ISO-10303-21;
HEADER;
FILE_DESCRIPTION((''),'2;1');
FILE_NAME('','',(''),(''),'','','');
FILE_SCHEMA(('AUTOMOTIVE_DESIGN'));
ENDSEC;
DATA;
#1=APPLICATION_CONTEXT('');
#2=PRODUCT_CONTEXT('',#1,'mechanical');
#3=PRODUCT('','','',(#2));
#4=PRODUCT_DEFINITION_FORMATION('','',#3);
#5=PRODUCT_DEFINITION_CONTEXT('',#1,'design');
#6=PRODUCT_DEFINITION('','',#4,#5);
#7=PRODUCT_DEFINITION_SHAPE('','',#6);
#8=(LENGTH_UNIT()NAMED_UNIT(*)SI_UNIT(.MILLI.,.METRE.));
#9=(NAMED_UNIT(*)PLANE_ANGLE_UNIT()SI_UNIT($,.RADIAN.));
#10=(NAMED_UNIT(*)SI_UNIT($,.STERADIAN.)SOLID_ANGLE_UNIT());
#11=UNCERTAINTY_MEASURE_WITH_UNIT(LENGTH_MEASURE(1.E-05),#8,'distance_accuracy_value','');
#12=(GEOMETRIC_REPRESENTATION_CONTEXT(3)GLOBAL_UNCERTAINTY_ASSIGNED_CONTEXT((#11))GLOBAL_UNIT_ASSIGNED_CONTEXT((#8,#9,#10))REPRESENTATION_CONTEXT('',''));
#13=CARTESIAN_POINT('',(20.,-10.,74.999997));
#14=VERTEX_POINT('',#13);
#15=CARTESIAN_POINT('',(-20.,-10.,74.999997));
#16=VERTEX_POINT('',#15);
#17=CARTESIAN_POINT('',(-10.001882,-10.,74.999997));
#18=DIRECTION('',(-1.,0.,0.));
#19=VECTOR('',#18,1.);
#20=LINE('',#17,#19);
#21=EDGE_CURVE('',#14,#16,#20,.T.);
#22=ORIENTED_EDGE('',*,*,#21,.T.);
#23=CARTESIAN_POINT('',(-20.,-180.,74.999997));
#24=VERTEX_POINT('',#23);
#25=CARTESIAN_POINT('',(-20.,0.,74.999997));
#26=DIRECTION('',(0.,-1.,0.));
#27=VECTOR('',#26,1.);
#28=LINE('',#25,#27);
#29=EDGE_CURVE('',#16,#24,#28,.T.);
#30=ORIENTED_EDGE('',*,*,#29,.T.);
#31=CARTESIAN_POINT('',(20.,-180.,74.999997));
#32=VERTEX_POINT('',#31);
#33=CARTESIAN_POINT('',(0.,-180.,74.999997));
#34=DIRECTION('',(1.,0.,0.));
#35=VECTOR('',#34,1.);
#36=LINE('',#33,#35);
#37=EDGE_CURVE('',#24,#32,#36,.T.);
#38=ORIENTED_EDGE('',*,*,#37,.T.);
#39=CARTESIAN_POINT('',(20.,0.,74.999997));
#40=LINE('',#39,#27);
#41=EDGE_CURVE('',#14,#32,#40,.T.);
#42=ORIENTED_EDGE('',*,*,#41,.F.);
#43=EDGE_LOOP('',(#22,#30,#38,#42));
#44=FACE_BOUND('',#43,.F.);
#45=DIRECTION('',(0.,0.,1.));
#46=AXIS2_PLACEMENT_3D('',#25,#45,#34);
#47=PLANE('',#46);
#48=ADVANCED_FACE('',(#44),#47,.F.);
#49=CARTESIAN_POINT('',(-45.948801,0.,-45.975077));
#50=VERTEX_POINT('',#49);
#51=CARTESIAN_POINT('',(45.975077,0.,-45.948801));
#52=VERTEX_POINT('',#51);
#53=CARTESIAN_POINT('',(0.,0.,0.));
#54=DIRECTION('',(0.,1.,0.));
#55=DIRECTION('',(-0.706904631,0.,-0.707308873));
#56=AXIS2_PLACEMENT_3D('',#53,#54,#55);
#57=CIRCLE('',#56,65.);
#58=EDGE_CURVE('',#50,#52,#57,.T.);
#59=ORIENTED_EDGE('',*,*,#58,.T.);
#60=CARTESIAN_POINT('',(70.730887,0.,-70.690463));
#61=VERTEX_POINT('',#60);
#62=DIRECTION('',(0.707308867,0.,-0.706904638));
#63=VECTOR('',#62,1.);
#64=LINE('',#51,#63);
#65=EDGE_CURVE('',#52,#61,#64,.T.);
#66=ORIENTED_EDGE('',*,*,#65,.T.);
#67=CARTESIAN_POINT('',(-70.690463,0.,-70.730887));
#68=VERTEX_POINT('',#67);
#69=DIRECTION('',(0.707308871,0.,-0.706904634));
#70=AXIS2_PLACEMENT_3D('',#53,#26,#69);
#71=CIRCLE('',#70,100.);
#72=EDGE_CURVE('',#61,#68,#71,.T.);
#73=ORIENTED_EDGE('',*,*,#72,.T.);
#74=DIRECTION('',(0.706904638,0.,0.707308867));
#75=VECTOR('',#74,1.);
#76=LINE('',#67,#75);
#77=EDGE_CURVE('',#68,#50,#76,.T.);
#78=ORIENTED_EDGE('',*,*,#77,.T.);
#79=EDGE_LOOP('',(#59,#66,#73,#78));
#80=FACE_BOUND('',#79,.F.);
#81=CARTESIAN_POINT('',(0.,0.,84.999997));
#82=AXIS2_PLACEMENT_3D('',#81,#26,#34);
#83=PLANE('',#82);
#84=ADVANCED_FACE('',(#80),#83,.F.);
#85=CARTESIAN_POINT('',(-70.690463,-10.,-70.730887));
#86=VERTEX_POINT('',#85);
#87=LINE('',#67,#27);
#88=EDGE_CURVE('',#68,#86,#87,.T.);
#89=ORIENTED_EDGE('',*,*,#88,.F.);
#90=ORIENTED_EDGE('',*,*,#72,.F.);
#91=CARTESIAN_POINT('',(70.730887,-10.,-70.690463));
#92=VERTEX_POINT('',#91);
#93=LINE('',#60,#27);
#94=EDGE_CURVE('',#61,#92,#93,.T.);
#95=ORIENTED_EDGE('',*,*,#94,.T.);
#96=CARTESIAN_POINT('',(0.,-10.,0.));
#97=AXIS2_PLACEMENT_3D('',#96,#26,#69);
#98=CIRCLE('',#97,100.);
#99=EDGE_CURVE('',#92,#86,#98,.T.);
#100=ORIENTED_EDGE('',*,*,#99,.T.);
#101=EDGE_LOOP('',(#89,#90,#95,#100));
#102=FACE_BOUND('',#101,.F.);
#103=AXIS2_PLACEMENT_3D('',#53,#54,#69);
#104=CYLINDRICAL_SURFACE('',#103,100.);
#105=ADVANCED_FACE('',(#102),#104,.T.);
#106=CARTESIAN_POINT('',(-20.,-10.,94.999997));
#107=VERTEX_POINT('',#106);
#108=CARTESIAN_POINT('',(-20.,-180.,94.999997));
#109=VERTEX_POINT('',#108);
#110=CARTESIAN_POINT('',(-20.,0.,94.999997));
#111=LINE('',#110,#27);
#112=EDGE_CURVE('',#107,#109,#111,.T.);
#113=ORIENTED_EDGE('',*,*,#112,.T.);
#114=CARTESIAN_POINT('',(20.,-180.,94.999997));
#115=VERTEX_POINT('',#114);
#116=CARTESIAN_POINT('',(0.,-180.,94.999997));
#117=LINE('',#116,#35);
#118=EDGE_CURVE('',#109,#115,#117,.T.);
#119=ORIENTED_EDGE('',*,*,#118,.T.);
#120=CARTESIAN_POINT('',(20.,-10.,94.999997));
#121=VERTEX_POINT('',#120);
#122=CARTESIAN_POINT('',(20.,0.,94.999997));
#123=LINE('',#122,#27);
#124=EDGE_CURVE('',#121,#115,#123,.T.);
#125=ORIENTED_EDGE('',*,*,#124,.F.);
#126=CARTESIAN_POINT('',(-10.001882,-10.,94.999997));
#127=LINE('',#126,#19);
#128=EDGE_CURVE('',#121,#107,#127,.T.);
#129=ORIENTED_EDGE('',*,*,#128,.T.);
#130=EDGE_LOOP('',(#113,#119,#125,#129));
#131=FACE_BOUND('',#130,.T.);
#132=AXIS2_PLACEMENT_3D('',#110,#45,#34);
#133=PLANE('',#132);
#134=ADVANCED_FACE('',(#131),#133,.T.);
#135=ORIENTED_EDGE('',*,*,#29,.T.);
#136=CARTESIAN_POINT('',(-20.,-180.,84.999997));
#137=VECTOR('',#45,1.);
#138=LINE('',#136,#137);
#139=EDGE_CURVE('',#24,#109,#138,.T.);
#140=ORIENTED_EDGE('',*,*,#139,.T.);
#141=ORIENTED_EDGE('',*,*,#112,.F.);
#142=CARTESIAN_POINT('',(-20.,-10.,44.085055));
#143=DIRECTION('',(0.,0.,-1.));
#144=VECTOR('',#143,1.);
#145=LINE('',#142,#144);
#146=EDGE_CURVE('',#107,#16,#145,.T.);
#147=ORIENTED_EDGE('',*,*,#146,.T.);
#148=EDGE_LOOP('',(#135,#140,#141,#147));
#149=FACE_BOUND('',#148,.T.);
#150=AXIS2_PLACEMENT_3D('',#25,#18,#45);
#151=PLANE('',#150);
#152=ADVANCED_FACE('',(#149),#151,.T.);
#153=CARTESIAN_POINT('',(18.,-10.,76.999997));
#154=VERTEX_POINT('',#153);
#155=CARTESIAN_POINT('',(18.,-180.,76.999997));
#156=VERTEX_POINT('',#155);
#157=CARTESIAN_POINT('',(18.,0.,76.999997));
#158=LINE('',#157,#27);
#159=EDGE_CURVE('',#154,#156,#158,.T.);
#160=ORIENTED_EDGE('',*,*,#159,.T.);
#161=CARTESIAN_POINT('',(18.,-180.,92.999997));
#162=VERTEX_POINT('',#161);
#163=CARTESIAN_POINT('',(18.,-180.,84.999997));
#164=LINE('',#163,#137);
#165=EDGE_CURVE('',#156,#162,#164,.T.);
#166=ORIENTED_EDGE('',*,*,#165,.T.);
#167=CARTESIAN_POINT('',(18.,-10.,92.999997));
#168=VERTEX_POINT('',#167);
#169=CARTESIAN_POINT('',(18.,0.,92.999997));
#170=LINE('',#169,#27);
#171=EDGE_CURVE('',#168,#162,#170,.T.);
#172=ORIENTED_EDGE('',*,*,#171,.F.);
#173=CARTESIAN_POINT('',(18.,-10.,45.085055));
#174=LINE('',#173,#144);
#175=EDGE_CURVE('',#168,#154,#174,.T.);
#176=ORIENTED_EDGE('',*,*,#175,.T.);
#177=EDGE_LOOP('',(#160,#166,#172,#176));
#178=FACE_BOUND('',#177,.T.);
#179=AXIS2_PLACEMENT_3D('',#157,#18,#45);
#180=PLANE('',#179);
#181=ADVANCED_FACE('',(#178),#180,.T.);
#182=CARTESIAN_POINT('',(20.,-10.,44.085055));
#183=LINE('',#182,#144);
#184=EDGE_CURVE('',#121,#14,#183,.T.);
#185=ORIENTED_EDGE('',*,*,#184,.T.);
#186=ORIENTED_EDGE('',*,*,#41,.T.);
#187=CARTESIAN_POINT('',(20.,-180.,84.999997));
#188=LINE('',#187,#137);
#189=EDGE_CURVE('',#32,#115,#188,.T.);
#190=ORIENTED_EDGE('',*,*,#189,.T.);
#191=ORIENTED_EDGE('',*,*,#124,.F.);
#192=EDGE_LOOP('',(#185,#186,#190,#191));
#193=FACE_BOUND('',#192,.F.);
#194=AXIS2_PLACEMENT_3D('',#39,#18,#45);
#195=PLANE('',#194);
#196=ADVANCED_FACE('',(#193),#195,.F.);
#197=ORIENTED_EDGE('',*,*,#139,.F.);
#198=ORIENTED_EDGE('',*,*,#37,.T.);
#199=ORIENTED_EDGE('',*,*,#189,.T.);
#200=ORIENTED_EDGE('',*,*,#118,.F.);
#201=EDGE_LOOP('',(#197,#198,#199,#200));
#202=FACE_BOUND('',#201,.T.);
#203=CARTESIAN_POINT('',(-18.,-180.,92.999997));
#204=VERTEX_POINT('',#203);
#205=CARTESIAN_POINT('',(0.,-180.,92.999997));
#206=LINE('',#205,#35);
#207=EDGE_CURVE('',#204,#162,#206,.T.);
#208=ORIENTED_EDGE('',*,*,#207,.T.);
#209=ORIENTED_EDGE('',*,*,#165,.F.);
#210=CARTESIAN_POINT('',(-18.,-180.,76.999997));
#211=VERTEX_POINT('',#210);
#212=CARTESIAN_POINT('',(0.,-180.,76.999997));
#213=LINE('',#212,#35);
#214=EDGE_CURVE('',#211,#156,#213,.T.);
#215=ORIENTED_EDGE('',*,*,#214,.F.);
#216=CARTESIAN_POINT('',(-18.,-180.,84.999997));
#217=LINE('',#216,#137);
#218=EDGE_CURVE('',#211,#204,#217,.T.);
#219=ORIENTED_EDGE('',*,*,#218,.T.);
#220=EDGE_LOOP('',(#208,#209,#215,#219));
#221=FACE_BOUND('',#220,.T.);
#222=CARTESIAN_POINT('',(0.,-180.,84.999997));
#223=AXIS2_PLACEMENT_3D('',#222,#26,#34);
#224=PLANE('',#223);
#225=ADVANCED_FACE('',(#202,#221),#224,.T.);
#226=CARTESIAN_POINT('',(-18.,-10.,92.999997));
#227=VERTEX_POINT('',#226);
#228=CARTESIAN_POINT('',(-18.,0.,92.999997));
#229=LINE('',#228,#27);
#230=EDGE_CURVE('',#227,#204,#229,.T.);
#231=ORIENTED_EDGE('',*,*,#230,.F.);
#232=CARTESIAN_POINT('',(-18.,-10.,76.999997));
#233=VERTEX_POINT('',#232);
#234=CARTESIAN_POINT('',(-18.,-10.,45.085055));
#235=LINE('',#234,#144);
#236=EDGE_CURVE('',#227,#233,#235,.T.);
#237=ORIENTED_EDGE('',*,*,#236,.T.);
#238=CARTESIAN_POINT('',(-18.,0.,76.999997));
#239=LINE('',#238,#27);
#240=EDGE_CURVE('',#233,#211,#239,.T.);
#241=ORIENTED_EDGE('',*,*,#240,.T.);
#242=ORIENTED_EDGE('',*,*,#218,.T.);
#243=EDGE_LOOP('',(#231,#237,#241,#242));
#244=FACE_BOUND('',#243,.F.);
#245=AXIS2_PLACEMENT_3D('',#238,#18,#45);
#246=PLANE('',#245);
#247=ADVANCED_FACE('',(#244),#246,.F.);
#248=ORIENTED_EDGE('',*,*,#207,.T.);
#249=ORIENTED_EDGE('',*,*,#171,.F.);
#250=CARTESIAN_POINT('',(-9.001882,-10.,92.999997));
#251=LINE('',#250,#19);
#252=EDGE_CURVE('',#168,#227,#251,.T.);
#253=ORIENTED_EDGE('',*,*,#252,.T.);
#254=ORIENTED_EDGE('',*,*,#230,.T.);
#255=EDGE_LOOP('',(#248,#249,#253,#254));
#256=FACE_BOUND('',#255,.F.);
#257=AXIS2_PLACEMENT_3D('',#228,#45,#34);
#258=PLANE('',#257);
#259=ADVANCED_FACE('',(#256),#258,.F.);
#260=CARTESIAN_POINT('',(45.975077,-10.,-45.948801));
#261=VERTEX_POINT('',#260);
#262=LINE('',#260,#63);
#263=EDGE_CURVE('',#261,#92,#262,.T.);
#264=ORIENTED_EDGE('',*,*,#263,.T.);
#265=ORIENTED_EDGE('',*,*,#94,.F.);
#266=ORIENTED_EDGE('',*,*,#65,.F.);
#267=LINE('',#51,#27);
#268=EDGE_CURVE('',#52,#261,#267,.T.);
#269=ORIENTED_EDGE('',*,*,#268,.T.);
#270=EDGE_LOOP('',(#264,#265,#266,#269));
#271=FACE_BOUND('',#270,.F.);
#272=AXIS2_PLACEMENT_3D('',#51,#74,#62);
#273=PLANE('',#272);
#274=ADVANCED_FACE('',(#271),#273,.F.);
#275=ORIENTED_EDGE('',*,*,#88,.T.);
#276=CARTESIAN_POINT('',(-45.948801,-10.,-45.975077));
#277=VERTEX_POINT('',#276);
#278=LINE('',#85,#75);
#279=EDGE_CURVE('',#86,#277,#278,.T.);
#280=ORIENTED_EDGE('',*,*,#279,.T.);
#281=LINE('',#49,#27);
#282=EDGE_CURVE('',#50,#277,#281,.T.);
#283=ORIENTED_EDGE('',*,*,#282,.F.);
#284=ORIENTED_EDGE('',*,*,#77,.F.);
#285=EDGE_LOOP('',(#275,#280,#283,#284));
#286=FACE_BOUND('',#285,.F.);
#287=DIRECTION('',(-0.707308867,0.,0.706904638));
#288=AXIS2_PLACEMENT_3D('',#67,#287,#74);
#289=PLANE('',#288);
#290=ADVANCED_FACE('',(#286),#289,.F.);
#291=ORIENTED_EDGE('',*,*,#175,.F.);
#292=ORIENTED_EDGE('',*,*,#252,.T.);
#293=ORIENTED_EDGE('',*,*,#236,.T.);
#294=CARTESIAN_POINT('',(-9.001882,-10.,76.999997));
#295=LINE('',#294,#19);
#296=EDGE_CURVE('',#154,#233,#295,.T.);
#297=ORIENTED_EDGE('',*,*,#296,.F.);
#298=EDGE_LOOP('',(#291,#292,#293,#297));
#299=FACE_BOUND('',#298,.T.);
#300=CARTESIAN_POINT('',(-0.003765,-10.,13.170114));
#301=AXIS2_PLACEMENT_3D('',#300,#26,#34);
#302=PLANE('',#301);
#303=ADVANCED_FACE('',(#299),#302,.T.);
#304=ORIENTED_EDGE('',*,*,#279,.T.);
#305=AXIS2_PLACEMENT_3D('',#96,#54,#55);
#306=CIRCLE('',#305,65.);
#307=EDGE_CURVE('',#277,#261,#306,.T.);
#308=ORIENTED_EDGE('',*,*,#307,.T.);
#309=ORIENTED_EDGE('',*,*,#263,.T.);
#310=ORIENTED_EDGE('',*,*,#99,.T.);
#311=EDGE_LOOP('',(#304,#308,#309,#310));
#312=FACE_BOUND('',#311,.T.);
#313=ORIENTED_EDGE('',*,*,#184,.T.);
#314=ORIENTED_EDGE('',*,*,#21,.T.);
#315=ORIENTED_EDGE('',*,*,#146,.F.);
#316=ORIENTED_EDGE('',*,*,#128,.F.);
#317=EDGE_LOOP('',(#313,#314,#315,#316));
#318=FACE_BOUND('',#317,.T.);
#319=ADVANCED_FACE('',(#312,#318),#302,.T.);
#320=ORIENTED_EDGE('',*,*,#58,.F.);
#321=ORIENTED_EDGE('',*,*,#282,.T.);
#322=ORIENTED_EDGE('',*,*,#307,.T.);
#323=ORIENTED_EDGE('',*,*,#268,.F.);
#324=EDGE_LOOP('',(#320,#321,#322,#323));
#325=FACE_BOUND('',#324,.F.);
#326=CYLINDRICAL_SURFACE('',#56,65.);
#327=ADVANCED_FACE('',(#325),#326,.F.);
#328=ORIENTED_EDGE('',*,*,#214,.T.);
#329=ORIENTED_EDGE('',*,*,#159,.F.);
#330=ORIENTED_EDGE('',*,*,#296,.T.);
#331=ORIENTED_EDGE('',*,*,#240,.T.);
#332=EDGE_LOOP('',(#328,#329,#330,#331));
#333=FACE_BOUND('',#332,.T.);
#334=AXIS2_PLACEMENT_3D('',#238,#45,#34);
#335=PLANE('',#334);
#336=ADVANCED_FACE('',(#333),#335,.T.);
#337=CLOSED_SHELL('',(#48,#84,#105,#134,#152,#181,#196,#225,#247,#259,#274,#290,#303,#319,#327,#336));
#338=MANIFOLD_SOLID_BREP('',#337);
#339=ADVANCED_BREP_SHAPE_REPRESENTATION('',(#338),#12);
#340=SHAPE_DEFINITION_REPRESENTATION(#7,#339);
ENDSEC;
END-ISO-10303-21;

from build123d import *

# Parameters (mm, degrees)
F1_DEPTH = 10
F2_W     = 40
F2_H     = 20
F2_W_2   = 36
F2_H_2   = 16
F3_DEPTH = 180


with BuildPart() as f1:
    # F0 (on Front) → F1 (new body)
    with BuildSketch(Plane.XZ):
        with BuildLine():
            Line((45.975077, -45.948801), (70.730887, -70.690463))
            ThreePointArc((70.730887, -70.690463), (-0.028584, 99.999996), (-70.690463, -70.730887))
            Line((-70.690463, -70.730887), (-45.948801, -45.975077))
            ThreePointArc((-45.948801, -45.975077), (-0.018579, 64.999997), (45.975077, -45.948801))
        make_face()
    extrude(amount=F1_DEPTH)

    # F2 (on Front) → F3 (join)
    with BuildSketch(Plane.XZ):
        with Locations((0, 84.999997)):
            Rectangle(F2_W, F2_H)
        with Locations((0, 84.999997)):
            Rectangle(F2_W_2, F2_H_2, mode=Mode.SUBTRACT)
    extrude(amount=F3_DEPTH)


solid = f1.part
